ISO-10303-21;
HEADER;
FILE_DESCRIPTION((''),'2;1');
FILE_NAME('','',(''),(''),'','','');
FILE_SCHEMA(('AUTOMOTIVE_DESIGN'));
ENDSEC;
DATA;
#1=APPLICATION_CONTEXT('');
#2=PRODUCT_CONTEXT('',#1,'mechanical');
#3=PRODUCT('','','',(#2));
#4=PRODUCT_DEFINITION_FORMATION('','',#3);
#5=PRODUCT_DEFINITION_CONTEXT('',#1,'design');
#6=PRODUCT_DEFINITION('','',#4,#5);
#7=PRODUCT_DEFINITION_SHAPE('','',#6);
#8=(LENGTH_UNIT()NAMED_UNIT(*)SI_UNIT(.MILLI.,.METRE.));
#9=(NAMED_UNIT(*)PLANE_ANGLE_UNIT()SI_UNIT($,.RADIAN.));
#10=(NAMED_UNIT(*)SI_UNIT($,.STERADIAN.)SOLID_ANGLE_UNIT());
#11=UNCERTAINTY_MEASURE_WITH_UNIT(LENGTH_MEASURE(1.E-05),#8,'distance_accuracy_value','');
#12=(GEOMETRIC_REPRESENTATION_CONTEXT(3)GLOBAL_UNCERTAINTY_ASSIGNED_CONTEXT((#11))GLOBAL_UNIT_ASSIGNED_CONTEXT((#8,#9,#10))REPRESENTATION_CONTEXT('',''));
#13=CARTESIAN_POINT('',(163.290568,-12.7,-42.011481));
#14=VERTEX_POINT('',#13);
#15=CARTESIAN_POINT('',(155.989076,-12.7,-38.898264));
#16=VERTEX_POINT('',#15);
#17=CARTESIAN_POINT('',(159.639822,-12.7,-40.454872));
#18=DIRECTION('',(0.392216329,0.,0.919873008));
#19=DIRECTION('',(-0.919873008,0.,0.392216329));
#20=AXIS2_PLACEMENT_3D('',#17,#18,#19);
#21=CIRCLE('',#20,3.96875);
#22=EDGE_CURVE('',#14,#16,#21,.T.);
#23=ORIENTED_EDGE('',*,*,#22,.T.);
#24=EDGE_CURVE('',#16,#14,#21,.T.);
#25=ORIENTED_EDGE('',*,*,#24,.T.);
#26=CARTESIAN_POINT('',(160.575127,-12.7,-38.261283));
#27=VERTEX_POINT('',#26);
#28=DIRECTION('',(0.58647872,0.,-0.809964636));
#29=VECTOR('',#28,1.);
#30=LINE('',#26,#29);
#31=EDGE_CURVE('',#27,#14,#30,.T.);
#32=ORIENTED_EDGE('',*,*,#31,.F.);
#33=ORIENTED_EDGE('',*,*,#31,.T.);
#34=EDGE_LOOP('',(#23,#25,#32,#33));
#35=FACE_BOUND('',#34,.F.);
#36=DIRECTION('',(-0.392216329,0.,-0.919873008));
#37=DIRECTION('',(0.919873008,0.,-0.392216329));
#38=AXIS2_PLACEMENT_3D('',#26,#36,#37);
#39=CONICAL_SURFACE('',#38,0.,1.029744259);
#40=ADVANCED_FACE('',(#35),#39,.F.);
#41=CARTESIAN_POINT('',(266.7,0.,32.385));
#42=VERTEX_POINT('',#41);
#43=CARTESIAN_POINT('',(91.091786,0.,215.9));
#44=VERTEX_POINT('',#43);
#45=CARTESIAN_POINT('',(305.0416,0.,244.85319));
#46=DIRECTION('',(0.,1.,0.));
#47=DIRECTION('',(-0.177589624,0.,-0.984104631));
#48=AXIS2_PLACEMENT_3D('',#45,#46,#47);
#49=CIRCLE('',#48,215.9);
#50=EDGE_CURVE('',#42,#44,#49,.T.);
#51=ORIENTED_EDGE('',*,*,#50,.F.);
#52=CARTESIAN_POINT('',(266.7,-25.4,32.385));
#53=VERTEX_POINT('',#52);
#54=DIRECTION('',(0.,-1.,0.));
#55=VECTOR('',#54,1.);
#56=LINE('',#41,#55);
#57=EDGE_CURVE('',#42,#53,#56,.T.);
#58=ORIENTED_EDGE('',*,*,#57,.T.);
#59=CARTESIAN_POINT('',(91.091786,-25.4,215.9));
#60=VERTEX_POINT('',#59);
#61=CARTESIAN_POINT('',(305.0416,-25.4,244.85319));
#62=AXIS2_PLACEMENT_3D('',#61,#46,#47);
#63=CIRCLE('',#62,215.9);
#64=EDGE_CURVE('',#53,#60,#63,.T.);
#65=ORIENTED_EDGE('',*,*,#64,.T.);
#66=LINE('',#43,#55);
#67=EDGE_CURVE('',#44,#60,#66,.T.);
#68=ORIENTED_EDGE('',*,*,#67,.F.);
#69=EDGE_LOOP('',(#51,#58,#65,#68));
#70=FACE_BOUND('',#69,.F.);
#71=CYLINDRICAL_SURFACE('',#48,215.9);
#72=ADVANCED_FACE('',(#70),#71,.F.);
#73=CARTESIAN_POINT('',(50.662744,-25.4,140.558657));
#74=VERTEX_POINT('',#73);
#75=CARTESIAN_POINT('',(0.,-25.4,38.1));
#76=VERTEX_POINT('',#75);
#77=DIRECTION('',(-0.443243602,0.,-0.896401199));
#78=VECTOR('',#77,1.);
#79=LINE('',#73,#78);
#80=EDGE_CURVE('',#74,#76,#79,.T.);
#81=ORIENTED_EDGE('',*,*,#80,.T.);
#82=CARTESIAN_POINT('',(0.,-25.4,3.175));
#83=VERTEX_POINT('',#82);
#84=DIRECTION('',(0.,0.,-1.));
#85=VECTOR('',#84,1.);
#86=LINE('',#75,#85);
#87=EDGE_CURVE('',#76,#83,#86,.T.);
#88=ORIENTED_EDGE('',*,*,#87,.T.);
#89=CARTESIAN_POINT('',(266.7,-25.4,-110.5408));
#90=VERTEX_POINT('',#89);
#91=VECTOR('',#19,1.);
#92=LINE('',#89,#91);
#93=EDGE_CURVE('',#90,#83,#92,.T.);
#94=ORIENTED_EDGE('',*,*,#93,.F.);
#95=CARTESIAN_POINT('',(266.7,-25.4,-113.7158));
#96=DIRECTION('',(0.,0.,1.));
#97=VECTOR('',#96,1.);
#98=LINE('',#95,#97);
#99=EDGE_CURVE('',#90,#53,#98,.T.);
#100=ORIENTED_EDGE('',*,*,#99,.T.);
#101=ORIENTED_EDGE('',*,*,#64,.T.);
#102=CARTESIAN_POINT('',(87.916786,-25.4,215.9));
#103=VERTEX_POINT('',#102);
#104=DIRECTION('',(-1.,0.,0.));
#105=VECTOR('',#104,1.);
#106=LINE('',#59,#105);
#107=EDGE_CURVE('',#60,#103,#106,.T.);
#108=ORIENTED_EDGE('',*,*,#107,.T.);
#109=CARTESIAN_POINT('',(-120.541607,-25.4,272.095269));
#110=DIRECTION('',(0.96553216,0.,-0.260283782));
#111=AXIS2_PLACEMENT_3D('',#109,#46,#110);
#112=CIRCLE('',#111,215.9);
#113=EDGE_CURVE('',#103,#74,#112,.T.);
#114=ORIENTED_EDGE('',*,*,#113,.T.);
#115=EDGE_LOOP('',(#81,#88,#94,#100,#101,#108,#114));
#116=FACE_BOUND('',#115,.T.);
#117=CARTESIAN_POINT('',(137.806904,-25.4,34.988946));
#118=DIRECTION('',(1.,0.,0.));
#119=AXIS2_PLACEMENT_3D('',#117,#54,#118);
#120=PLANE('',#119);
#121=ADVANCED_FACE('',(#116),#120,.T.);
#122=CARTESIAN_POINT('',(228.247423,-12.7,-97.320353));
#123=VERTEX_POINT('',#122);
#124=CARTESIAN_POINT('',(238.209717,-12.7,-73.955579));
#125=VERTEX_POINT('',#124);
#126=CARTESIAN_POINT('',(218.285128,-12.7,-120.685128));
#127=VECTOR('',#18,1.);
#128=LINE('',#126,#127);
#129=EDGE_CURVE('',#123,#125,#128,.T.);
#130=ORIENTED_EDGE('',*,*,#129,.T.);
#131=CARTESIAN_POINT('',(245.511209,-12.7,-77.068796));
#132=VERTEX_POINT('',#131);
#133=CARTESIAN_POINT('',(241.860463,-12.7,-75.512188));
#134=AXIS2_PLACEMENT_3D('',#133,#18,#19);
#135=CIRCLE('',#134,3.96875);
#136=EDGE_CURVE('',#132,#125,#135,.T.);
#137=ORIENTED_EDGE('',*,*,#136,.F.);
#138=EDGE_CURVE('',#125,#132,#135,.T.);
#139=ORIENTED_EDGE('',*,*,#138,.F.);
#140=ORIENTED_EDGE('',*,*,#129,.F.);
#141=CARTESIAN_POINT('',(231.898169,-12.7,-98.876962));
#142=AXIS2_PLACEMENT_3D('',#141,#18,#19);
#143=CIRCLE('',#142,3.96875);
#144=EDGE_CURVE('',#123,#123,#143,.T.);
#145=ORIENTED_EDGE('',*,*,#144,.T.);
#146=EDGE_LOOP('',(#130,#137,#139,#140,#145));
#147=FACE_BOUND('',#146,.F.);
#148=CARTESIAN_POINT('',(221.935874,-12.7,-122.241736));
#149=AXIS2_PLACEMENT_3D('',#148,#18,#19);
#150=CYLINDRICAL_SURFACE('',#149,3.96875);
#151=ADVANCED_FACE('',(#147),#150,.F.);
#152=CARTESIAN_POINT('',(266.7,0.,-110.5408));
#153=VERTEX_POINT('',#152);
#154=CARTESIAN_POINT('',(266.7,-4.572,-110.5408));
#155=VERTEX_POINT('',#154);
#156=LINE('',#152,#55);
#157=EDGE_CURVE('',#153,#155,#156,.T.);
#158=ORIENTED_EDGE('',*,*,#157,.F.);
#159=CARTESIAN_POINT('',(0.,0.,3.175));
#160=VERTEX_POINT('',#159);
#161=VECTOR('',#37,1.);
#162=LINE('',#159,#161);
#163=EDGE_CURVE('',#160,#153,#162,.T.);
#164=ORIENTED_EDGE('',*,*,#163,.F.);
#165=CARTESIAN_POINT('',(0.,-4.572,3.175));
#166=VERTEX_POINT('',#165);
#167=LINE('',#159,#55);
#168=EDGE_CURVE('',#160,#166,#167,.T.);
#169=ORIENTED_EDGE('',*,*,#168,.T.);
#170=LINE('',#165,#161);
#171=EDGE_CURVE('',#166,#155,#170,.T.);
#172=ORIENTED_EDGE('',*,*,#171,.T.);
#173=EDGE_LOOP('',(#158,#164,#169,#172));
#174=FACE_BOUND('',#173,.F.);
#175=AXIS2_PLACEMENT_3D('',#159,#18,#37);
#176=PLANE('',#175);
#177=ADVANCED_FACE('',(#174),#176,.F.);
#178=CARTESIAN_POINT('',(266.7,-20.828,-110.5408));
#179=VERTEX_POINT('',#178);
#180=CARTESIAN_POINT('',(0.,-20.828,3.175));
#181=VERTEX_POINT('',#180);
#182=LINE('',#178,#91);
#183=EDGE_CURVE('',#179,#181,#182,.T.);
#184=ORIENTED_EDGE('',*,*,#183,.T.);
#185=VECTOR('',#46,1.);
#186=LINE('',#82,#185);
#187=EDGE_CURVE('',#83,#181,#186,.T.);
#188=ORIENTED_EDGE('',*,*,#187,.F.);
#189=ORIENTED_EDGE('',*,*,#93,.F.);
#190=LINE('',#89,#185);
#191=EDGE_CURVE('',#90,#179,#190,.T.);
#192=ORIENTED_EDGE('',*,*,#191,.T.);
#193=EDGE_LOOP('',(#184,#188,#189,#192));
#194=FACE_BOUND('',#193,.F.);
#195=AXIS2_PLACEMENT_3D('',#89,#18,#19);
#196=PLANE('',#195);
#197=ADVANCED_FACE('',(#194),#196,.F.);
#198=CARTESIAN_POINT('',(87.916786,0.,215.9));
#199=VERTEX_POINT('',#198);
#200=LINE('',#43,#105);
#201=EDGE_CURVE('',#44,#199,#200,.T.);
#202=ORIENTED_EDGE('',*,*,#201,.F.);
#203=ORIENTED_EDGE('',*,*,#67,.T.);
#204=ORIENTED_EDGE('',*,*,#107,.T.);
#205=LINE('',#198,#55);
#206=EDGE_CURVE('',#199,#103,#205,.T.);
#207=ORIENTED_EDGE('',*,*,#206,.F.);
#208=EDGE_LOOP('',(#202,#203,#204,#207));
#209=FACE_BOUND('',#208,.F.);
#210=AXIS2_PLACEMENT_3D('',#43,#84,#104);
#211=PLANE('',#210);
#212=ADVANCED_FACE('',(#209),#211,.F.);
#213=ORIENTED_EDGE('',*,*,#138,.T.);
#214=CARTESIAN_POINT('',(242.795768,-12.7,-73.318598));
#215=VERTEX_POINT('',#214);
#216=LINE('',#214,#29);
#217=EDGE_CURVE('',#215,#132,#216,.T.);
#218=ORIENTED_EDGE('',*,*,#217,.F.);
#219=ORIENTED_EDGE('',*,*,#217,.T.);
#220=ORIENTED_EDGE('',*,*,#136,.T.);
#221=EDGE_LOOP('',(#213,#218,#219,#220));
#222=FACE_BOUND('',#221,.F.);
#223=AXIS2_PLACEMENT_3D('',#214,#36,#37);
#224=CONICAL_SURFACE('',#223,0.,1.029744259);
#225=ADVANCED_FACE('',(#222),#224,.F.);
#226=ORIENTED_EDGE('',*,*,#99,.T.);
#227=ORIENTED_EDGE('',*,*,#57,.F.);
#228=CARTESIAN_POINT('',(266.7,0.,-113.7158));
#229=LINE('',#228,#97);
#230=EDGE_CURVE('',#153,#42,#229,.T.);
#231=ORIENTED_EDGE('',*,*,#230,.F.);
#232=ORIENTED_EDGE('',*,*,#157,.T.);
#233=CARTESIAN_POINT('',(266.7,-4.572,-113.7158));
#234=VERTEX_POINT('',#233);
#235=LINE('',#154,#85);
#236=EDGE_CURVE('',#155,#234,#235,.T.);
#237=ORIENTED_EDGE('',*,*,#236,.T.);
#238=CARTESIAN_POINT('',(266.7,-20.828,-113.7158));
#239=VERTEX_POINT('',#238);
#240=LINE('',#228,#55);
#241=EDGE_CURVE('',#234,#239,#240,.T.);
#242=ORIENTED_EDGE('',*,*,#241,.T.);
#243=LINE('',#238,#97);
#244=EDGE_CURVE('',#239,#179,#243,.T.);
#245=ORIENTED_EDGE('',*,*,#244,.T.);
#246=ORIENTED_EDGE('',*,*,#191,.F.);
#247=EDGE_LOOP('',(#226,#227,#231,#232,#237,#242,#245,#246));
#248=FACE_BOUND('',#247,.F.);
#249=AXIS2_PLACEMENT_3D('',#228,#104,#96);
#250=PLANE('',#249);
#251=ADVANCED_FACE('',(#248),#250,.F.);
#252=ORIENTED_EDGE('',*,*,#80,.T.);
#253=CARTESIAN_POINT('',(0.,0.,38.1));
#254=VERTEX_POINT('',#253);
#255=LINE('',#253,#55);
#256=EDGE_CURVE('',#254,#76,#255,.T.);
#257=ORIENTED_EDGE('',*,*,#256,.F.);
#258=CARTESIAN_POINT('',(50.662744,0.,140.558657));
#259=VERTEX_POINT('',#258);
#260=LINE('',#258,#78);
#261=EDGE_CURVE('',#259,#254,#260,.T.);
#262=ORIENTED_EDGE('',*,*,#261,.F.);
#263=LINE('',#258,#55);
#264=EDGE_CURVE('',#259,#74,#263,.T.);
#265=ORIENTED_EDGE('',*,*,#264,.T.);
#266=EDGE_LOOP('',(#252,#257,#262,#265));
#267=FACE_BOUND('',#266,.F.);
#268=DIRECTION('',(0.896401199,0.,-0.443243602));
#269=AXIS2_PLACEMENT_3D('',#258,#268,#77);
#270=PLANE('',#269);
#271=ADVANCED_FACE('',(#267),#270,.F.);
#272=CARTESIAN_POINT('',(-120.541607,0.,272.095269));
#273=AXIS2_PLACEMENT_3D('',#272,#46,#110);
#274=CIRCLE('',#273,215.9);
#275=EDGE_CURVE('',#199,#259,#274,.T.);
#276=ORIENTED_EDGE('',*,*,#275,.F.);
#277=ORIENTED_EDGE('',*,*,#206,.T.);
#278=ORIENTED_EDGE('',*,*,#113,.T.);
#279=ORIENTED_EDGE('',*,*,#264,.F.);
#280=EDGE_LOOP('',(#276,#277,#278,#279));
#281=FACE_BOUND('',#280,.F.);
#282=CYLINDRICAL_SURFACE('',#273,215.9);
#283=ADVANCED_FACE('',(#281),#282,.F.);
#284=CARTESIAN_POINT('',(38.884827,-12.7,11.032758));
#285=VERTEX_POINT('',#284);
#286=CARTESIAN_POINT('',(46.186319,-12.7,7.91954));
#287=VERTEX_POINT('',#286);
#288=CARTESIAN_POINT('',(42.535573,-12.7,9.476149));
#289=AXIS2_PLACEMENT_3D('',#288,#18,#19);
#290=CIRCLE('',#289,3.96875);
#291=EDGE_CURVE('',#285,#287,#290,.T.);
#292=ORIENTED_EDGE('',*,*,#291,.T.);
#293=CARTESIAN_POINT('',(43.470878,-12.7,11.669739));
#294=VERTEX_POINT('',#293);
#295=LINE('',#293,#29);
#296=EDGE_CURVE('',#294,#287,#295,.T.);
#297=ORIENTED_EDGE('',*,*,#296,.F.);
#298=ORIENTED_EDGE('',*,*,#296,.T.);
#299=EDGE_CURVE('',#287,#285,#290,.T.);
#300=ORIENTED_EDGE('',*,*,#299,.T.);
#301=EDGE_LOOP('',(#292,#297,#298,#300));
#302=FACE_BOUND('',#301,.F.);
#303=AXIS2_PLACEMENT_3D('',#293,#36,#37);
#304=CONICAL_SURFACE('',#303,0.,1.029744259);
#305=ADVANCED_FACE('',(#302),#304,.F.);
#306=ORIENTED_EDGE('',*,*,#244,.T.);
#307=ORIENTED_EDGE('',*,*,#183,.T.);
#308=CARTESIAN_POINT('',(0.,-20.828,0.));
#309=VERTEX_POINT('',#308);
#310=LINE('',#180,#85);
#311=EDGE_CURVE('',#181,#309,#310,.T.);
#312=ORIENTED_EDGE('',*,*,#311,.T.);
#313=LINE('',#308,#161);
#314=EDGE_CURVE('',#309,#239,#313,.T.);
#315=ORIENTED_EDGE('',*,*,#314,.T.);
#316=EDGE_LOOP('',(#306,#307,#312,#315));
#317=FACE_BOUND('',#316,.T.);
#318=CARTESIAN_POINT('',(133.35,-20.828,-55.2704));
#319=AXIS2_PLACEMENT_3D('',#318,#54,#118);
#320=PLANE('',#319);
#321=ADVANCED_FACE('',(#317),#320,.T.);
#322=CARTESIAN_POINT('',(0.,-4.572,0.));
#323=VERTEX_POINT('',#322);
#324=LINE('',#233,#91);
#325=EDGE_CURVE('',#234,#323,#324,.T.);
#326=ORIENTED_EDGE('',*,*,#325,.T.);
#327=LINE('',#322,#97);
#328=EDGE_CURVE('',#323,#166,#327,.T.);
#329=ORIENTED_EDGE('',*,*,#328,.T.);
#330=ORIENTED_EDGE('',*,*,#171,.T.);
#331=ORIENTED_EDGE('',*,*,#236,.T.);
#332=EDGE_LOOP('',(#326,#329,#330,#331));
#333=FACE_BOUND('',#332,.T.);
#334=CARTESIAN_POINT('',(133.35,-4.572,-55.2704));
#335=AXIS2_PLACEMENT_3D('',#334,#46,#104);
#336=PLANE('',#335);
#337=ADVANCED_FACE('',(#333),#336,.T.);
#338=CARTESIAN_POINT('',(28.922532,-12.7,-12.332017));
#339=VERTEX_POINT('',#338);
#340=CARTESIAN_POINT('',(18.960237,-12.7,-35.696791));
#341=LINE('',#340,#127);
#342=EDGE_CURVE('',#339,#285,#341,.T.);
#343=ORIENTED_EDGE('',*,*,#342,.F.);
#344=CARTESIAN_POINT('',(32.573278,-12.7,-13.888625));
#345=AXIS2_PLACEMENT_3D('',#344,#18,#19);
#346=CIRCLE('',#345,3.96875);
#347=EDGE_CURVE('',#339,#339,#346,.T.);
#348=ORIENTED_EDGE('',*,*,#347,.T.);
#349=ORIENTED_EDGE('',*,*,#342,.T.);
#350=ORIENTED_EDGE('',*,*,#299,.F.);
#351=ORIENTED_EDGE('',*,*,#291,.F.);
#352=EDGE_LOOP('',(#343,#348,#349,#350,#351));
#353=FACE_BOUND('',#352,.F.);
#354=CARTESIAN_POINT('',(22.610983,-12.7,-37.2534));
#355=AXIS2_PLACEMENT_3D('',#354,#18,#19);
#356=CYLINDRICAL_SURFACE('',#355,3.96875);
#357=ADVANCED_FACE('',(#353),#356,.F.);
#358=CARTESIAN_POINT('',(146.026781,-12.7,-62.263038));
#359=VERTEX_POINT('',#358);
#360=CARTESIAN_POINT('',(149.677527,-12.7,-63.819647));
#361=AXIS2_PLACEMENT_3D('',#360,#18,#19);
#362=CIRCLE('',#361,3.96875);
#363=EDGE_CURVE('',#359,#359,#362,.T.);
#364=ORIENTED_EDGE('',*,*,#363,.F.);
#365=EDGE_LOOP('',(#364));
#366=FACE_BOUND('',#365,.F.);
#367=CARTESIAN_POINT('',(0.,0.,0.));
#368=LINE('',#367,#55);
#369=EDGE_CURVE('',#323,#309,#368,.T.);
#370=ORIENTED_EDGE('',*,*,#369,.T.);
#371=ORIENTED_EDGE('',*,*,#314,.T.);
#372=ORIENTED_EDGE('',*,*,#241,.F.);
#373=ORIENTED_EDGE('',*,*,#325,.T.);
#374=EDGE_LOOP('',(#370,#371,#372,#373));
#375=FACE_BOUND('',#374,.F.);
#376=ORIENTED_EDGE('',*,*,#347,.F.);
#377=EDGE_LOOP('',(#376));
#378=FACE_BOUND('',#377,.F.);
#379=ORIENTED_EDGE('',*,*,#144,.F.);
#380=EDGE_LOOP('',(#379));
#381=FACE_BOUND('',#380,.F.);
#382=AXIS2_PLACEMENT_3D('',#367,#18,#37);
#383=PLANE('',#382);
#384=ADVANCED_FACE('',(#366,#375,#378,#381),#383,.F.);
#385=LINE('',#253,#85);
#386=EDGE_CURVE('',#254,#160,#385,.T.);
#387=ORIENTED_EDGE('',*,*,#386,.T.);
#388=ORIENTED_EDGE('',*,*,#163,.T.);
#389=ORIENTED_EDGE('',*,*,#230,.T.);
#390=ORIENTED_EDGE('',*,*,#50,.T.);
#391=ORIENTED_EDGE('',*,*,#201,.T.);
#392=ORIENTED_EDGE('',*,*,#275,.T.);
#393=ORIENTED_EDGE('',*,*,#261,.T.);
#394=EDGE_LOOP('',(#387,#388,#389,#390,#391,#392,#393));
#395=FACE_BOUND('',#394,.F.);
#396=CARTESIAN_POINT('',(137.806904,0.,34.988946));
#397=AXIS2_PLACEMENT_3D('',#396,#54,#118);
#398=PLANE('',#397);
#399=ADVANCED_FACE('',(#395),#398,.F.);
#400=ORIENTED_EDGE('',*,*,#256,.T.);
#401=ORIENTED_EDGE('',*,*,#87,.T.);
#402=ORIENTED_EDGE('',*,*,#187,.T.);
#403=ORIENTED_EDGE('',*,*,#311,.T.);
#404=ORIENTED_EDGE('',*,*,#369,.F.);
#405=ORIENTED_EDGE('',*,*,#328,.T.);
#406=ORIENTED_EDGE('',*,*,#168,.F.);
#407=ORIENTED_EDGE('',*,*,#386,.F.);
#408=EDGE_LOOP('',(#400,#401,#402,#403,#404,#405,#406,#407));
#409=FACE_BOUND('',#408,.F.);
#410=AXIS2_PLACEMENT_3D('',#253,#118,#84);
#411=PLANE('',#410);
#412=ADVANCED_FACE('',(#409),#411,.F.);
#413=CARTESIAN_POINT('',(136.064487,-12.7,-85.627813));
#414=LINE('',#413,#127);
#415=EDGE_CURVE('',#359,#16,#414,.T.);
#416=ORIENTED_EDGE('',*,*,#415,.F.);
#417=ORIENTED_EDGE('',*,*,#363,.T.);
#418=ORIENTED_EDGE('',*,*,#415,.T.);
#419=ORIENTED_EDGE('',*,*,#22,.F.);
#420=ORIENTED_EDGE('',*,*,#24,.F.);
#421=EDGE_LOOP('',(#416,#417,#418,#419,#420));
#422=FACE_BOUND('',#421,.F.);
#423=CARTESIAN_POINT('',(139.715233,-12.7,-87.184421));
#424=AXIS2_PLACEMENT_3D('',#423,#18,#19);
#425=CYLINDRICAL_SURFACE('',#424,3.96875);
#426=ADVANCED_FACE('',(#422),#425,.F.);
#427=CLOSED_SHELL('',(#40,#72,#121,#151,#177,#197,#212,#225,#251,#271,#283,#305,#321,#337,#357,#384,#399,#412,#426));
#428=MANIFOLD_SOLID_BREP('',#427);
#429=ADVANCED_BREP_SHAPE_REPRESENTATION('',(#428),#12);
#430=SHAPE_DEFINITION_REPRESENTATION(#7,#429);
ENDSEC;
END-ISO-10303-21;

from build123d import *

# Parameters (mm, degrees)
F1_DEPTH = 25.4
F3_D     = 7.9375
F3_DEPTH = 25.4
F3_TIP   = 2.3846655818
F5_DEPTH = 4.572
F7_DEPTH = 4.572


with BuildPart() as f1:
    # F0 (on Front) → F1 (new body)
    with BuildSketch(Plane.XZ):
        with BuildLine():
            ThreePointArc((266.7, 32.3849999569), (149.0538498691, 95.5862080763), (91.0917861403, 215.8999999569))
            Line((91.0917861403, 215.8999999569), (87.9167861403, 215.8999999569))
            ThreePointArc((87.9167861403, 215.8999999569), (72.9914115298, 176.3989748545), (50.662743739, 140.5586569695))
            Line((50.662743739, 140.5586569695), (0, 38.0999999569))
            Line((0, 38.0999999569), (0, -4.31e-08))
            Line((0, -4.31e-08), (266.7, -113.7158000431))
            Line((266.7, -113.7158000431), (266.7, -4.31e-08))
            Line((266.7, -4.31e-08), (266.7, 32.3849999569))
        make_face()
    extrude(amount=F1_DEPTH)

    # F3
    with Locations(Plane(origin=(-1.56e-08, 0, -3.65e-08), x_dir=(0.9198730081, 0, -0.3922163293), z_dir=(-0.3922163293, 0, -0.9198730081))):
        with Locations((35.4106249365, 12.7), (162.7154249365, 12.7), (252.0980249365, 12.7)):
            Hole(F3_D / 2, depth=F3_DEPTH)
            with Locations((0, 0, -(F3_DEPTH + F3_TIP / 2))):  # 118° drill point
                Cone(0, F3_D / 2, F3_TIP, mode=Mode.SUBTRACT)

    # F4 (on face) → F5 (cut)
    with BuildSketch(Plane.XZ.offset(25.4)):
        Polygon((0, 3.1749999569), (0, -4.31e-08), (266.7, -113.7158000431), (266.7, -110.5408000431), align=None)
    extrude(amount=-F5_DEPTH, mode=Mode.SUBTRACT)

    # F6 (on face) → F7 (cut)
    with BuildSketch(Plane(origin=(0, 0, 0), x_dir=(-1, 0, 0), z_dir=(0, 1, 0))):
        Polygon((-266.7, -110.5408000431), (-266.7, -113.7158000431), (0, -4.31e-08), (0, 3.1749999569), align=None)
    extrude(amount=-F7_DEPTH, mode=Mode.SUBTRACT)


solid = f1.part
